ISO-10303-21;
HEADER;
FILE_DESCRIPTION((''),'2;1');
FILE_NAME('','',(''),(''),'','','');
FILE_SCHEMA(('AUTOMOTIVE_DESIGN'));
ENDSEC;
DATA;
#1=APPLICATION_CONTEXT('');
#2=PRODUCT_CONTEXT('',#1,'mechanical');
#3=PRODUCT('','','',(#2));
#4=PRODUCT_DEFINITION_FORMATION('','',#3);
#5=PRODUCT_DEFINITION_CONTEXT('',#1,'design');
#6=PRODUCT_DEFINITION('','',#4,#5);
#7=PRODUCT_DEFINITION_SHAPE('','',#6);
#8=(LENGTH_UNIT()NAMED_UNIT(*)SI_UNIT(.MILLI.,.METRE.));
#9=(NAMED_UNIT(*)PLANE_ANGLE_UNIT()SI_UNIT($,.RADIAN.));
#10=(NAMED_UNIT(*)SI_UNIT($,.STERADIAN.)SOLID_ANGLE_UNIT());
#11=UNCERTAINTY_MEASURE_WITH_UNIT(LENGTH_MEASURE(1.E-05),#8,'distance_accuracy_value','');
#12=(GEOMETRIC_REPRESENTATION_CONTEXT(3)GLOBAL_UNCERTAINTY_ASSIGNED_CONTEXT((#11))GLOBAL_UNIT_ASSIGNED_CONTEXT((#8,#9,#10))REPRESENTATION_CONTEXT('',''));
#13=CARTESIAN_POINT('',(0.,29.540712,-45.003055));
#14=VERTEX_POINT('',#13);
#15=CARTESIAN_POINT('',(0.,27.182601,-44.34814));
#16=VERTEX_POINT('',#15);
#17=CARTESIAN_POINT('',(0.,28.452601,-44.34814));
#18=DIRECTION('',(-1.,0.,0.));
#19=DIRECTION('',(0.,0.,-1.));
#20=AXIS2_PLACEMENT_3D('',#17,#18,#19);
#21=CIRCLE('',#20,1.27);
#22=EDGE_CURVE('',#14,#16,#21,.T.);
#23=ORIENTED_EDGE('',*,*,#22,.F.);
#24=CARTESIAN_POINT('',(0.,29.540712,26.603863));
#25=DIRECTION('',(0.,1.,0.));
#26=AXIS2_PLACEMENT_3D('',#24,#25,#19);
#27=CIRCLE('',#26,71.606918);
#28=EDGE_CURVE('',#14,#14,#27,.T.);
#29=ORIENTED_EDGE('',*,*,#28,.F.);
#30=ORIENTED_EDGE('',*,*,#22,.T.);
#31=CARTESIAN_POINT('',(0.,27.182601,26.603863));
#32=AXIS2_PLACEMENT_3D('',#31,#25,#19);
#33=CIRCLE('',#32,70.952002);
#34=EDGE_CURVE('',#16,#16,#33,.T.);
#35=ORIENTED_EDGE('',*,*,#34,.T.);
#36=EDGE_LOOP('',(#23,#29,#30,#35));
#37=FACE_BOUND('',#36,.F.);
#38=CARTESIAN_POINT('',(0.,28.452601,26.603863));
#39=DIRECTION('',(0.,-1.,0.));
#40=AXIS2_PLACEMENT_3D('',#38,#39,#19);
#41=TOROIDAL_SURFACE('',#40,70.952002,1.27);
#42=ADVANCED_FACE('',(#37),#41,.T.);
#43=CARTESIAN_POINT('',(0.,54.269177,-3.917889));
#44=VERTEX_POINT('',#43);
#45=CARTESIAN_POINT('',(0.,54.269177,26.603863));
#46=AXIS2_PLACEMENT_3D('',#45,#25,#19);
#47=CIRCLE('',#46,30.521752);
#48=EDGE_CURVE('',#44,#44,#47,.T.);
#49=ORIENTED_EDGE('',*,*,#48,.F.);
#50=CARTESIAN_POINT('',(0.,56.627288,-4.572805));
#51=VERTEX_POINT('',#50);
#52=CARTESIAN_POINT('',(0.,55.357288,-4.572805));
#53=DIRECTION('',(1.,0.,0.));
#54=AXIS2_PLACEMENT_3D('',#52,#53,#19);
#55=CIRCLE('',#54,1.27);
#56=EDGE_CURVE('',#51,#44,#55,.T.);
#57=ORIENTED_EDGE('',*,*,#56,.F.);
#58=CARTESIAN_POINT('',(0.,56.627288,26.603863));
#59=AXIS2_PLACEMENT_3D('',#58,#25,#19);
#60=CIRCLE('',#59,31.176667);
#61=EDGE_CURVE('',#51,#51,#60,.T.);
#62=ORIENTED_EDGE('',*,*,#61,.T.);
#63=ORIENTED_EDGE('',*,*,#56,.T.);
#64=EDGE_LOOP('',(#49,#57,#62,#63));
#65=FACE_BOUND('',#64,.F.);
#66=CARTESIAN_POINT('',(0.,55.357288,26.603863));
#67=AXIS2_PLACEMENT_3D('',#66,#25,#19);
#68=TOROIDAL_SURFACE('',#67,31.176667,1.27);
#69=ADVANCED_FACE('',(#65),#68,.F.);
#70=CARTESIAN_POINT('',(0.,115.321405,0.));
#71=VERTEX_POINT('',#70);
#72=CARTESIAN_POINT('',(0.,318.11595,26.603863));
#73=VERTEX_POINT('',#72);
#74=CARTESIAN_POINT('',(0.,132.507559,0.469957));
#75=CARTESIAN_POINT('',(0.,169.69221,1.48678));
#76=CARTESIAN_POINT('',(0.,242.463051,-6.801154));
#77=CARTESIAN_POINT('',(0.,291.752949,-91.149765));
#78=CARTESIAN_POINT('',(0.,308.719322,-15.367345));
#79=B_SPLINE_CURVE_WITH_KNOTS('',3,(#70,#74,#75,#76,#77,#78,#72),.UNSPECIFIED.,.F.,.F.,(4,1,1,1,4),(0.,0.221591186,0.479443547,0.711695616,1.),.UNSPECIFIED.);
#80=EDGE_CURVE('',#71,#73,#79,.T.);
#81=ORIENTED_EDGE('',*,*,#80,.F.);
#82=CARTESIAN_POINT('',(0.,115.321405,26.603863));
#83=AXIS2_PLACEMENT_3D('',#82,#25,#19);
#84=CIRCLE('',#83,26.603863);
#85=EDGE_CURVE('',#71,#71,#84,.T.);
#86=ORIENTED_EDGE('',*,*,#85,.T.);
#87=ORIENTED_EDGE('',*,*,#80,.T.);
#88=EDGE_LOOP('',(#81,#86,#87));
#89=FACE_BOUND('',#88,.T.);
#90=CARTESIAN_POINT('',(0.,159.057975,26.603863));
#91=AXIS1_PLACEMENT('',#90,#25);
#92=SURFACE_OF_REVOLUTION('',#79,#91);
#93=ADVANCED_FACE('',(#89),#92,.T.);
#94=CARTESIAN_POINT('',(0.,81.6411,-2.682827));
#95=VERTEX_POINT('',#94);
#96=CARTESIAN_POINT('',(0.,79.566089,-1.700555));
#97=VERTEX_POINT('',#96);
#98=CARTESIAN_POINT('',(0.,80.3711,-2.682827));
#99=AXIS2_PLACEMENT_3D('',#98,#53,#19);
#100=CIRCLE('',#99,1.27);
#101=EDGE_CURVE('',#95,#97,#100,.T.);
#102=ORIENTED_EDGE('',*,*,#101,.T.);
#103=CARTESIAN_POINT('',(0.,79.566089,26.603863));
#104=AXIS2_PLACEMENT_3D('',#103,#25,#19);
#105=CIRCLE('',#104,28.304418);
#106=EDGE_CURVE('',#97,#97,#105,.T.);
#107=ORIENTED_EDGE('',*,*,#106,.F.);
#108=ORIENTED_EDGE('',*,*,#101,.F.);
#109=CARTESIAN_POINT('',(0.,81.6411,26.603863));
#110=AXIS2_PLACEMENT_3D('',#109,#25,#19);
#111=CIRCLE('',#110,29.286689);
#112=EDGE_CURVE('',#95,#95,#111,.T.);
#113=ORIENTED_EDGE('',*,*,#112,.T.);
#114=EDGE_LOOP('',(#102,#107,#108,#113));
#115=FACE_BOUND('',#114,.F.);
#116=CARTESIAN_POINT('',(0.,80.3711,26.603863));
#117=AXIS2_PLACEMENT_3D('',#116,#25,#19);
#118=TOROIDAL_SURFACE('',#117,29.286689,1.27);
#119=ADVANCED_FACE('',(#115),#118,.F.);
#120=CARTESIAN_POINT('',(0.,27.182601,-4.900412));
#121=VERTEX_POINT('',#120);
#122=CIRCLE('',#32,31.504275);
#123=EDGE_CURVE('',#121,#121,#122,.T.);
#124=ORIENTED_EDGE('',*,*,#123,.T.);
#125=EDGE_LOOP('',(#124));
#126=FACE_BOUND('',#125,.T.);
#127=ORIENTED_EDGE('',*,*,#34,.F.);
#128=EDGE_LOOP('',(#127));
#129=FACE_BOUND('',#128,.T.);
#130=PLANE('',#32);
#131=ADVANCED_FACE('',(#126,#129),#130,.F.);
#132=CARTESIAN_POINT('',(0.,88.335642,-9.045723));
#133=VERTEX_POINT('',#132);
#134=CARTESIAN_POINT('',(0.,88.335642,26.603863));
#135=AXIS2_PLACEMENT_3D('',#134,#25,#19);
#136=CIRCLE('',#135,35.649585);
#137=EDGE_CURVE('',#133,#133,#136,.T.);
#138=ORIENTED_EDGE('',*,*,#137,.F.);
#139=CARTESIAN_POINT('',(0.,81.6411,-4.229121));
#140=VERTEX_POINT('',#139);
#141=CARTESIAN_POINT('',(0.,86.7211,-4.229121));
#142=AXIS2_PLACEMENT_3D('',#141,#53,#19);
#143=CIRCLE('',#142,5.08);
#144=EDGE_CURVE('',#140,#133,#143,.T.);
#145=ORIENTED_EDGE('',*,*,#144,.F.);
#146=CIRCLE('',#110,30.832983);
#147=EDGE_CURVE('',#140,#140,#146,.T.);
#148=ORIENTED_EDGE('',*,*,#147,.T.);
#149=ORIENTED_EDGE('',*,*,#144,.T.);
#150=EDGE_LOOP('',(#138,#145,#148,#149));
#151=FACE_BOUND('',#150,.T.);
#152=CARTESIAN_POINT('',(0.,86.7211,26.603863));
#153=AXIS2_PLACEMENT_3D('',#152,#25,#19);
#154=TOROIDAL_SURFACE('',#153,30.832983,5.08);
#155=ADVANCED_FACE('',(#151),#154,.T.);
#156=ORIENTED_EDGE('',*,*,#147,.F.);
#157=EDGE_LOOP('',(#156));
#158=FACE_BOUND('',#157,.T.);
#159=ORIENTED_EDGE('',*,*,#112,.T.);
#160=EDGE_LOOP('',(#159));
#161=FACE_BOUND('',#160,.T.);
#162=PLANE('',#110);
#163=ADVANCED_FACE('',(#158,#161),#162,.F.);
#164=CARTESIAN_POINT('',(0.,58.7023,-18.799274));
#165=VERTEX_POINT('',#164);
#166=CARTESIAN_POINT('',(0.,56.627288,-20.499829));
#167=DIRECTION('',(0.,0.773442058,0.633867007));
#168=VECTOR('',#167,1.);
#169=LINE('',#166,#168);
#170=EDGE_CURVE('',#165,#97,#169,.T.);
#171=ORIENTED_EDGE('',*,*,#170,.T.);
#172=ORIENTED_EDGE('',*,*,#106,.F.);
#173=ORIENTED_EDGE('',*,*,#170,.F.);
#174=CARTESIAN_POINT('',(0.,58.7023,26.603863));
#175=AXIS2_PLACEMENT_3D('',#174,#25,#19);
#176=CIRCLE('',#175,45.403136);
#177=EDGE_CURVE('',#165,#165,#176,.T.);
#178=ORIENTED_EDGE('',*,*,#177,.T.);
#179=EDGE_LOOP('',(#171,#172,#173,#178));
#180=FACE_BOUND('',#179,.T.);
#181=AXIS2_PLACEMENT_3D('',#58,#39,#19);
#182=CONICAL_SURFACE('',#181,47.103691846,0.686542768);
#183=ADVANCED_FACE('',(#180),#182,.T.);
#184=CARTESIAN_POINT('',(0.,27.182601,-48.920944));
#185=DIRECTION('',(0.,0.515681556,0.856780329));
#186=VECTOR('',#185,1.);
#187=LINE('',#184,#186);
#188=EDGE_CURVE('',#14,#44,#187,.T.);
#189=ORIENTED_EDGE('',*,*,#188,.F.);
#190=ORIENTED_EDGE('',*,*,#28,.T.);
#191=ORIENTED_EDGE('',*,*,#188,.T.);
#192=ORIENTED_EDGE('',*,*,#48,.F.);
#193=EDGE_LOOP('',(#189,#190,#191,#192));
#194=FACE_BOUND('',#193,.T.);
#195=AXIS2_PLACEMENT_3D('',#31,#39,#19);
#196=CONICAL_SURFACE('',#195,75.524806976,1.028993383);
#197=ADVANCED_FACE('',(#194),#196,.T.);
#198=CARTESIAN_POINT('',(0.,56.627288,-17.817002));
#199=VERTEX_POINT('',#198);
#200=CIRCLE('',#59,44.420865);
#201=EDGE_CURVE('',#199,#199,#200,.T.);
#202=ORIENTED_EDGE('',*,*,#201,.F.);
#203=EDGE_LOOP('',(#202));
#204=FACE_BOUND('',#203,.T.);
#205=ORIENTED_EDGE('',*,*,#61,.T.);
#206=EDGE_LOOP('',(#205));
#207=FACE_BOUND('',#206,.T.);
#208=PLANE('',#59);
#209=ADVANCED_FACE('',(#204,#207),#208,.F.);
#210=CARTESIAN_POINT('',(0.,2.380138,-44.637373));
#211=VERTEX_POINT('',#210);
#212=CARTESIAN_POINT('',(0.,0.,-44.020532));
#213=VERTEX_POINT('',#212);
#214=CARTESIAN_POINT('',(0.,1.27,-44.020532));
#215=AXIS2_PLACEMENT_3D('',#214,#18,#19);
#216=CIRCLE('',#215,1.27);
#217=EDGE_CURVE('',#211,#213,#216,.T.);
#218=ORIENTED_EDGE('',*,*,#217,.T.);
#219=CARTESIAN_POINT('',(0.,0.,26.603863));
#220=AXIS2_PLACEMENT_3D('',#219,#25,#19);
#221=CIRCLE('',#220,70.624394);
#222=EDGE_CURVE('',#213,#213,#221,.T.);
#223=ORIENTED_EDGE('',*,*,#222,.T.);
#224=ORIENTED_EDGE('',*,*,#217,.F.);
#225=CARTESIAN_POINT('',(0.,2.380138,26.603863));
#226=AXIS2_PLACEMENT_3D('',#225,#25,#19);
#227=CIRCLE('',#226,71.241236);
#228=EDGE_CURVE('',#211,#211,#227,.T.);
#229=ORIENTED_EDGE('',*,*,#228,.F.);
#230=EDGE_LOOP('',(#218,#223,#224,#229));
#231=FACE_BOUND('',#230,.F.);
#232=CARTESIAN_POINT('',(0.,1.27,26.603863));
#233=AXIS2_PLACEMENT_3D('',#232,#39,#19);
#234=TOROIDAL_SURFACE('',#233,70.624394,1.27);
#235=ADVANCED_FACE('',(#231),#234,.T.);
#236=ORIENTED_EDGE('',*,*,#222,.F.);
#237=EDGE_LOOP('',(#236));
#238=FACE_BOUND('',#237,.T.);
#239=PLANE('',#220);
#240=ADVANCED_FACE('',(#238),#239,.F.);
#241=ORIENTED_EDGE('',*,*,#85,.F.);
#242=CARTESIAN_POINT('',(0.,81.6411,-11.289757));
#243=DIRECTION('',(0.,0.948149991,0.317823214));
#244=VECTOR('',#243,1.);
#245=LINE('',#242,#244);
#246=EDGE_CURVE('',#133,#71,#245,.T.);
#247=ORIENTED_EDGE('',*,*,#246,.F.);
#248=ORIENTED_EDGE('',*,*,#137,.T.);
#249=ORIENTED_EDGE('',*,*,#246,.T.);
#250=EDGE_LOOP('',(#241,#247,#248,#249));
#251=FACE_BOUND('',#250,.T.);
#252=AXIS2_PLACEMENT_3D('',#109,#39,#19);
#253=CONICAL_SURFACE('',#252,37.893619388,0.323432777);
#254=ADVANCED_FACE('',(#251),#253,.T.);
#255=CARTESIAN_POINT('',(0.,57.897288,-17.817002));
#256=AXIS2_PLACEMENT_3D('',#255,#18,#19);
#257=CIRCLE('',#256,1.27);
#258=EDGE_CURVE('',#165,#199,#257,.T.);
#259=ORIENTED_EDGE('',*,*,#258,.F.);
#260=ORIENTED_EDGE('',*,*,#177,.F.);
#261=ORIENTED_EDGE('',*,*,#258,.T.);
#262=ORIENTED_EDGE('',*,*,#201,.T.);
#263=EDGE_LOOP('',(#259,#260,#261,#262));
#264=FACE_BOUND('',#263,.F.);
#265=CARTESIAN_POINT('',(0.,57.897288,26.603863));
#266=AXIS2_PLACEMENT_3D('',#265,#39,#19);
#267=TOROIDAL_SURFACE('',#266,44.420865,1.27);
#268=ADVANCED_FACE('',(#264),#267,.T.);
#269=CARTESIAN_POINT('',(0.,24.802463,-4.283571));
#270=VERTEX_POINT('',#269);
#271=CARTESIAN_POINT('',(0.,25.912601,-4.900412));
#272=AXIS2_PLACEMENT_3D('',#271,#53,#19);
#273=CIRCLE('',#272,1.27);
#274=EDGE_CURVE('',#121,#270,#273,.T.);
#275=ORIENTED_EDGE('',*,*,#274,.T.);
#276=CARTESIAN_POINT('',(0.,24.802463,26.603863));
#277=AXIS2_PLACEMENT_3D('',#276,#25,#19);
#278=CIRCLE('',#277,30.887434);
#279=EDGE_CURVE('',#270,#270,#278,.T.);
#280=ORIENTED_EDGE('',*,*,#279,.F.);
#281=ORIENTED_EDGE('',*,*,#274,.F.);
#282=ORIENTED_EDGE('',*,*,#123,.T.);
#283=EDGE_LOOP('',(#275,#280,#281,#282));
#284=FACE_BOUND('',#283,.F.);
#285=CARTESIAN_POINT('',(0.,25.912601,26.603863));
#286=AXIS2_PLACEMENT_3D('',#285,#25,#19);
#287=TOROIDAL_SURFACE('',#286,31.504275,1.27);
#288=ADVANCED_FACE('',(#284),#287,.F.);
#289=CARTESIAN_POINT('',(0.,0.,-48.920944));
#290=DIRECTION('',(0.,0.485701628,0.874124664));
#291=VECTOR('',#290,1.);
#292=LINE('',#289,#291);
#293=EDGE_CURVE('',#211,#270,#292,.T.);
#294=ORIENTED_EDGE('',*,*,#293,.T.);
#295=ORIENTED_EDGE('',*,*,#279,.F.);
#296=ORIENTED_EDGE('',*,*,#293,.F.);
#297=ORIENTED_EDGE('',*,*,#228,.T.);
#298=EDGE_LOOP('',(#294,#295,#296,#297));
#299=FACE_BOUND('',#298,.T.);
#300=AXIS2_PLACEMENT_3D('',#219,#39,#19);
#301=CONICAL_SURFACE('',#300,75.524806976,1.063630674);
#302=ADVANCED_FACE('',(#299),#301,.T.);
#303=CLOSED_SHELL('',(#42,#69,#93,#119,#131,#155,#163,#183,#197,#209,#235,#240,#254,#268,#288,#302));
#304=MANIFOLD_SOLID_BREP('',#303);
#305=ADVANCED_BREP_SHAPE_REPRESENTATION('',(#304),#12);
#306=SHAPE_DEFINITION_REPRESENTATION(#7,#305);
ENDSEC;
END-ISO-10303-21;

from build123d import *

# Parameters (mm, degrees)
F2_R = 5.08
F3_R = 1.27


with BuildPart() as f1:
    # F0 (on Right) → F1 (revolve)
    with BuildSketch(Plane.YZ):
        with BuildLine():
            Line((0, 26.6038626432), (0, 0))
            Line((0, 0), (0, -48.9209443331))
            Line((0, -48.9209443331), (27.1826013923, 0))
            Line((27.1826013923, 0), (27.1826013923, -48.9209443331))
            Line((27.1826013923, -48.9209443331), (56.6272884607, 0))
            Line((56.6272884607, 0), (56.6272884607, -20.4998292029))
            Line((56.6272884607, -20.4998292029), (81.641100347, 0))
            Line((81.641100347, 0), (81.641100347, -11.2897567451))
            Line((81.641100347, -11.2897567451), (115.321405232, 0))
            add(Edge.make_bspline(
                [(115.321405232, 0), (132.5075592279, 0.4699568487), (169.6922097827, 1.4867795138), (242.46305069, -6.8011539818), (291.7529486815, -91.1497646218), (308.7193216282, -15.3673445231), (318.1159496307, 26.6038626432)],
                knots=[0, 0, 0, 0, 0.2215911861, 0.4794435466, 0.7116956163, 1, 1, 1, 1], degree=3))
            Line((318.1159496307, 26.6038626432), (0, 26.6038626432))
        make_face()
    revolve(axis=Axis((0, 159.0579748154, 26.6038626432), (0, 1, 0)))

    # F2
    f2_edges = [f1.edges().sort_by_distance(p)[0] for p in [
        (0, 81.6411, 64.497482),
    ]]
    fillet(f2_edges, radius=F2_R)

    # F3
    f3_edges = [f1.edges().sort_by_distance(p)[0] for p in [
        (0, 81.6411, 53.207725),
        (0, 56.627288, 73.707554),
        (0, 56.627288, 53.207725),
        (0, 27.182601, 102.12867),
        (0, 27.182601, 53.207725),
        (0, 0, 102.12867),
    ]]
    fillet(f3_edges, radius=F3_R)


solid = f1.part
